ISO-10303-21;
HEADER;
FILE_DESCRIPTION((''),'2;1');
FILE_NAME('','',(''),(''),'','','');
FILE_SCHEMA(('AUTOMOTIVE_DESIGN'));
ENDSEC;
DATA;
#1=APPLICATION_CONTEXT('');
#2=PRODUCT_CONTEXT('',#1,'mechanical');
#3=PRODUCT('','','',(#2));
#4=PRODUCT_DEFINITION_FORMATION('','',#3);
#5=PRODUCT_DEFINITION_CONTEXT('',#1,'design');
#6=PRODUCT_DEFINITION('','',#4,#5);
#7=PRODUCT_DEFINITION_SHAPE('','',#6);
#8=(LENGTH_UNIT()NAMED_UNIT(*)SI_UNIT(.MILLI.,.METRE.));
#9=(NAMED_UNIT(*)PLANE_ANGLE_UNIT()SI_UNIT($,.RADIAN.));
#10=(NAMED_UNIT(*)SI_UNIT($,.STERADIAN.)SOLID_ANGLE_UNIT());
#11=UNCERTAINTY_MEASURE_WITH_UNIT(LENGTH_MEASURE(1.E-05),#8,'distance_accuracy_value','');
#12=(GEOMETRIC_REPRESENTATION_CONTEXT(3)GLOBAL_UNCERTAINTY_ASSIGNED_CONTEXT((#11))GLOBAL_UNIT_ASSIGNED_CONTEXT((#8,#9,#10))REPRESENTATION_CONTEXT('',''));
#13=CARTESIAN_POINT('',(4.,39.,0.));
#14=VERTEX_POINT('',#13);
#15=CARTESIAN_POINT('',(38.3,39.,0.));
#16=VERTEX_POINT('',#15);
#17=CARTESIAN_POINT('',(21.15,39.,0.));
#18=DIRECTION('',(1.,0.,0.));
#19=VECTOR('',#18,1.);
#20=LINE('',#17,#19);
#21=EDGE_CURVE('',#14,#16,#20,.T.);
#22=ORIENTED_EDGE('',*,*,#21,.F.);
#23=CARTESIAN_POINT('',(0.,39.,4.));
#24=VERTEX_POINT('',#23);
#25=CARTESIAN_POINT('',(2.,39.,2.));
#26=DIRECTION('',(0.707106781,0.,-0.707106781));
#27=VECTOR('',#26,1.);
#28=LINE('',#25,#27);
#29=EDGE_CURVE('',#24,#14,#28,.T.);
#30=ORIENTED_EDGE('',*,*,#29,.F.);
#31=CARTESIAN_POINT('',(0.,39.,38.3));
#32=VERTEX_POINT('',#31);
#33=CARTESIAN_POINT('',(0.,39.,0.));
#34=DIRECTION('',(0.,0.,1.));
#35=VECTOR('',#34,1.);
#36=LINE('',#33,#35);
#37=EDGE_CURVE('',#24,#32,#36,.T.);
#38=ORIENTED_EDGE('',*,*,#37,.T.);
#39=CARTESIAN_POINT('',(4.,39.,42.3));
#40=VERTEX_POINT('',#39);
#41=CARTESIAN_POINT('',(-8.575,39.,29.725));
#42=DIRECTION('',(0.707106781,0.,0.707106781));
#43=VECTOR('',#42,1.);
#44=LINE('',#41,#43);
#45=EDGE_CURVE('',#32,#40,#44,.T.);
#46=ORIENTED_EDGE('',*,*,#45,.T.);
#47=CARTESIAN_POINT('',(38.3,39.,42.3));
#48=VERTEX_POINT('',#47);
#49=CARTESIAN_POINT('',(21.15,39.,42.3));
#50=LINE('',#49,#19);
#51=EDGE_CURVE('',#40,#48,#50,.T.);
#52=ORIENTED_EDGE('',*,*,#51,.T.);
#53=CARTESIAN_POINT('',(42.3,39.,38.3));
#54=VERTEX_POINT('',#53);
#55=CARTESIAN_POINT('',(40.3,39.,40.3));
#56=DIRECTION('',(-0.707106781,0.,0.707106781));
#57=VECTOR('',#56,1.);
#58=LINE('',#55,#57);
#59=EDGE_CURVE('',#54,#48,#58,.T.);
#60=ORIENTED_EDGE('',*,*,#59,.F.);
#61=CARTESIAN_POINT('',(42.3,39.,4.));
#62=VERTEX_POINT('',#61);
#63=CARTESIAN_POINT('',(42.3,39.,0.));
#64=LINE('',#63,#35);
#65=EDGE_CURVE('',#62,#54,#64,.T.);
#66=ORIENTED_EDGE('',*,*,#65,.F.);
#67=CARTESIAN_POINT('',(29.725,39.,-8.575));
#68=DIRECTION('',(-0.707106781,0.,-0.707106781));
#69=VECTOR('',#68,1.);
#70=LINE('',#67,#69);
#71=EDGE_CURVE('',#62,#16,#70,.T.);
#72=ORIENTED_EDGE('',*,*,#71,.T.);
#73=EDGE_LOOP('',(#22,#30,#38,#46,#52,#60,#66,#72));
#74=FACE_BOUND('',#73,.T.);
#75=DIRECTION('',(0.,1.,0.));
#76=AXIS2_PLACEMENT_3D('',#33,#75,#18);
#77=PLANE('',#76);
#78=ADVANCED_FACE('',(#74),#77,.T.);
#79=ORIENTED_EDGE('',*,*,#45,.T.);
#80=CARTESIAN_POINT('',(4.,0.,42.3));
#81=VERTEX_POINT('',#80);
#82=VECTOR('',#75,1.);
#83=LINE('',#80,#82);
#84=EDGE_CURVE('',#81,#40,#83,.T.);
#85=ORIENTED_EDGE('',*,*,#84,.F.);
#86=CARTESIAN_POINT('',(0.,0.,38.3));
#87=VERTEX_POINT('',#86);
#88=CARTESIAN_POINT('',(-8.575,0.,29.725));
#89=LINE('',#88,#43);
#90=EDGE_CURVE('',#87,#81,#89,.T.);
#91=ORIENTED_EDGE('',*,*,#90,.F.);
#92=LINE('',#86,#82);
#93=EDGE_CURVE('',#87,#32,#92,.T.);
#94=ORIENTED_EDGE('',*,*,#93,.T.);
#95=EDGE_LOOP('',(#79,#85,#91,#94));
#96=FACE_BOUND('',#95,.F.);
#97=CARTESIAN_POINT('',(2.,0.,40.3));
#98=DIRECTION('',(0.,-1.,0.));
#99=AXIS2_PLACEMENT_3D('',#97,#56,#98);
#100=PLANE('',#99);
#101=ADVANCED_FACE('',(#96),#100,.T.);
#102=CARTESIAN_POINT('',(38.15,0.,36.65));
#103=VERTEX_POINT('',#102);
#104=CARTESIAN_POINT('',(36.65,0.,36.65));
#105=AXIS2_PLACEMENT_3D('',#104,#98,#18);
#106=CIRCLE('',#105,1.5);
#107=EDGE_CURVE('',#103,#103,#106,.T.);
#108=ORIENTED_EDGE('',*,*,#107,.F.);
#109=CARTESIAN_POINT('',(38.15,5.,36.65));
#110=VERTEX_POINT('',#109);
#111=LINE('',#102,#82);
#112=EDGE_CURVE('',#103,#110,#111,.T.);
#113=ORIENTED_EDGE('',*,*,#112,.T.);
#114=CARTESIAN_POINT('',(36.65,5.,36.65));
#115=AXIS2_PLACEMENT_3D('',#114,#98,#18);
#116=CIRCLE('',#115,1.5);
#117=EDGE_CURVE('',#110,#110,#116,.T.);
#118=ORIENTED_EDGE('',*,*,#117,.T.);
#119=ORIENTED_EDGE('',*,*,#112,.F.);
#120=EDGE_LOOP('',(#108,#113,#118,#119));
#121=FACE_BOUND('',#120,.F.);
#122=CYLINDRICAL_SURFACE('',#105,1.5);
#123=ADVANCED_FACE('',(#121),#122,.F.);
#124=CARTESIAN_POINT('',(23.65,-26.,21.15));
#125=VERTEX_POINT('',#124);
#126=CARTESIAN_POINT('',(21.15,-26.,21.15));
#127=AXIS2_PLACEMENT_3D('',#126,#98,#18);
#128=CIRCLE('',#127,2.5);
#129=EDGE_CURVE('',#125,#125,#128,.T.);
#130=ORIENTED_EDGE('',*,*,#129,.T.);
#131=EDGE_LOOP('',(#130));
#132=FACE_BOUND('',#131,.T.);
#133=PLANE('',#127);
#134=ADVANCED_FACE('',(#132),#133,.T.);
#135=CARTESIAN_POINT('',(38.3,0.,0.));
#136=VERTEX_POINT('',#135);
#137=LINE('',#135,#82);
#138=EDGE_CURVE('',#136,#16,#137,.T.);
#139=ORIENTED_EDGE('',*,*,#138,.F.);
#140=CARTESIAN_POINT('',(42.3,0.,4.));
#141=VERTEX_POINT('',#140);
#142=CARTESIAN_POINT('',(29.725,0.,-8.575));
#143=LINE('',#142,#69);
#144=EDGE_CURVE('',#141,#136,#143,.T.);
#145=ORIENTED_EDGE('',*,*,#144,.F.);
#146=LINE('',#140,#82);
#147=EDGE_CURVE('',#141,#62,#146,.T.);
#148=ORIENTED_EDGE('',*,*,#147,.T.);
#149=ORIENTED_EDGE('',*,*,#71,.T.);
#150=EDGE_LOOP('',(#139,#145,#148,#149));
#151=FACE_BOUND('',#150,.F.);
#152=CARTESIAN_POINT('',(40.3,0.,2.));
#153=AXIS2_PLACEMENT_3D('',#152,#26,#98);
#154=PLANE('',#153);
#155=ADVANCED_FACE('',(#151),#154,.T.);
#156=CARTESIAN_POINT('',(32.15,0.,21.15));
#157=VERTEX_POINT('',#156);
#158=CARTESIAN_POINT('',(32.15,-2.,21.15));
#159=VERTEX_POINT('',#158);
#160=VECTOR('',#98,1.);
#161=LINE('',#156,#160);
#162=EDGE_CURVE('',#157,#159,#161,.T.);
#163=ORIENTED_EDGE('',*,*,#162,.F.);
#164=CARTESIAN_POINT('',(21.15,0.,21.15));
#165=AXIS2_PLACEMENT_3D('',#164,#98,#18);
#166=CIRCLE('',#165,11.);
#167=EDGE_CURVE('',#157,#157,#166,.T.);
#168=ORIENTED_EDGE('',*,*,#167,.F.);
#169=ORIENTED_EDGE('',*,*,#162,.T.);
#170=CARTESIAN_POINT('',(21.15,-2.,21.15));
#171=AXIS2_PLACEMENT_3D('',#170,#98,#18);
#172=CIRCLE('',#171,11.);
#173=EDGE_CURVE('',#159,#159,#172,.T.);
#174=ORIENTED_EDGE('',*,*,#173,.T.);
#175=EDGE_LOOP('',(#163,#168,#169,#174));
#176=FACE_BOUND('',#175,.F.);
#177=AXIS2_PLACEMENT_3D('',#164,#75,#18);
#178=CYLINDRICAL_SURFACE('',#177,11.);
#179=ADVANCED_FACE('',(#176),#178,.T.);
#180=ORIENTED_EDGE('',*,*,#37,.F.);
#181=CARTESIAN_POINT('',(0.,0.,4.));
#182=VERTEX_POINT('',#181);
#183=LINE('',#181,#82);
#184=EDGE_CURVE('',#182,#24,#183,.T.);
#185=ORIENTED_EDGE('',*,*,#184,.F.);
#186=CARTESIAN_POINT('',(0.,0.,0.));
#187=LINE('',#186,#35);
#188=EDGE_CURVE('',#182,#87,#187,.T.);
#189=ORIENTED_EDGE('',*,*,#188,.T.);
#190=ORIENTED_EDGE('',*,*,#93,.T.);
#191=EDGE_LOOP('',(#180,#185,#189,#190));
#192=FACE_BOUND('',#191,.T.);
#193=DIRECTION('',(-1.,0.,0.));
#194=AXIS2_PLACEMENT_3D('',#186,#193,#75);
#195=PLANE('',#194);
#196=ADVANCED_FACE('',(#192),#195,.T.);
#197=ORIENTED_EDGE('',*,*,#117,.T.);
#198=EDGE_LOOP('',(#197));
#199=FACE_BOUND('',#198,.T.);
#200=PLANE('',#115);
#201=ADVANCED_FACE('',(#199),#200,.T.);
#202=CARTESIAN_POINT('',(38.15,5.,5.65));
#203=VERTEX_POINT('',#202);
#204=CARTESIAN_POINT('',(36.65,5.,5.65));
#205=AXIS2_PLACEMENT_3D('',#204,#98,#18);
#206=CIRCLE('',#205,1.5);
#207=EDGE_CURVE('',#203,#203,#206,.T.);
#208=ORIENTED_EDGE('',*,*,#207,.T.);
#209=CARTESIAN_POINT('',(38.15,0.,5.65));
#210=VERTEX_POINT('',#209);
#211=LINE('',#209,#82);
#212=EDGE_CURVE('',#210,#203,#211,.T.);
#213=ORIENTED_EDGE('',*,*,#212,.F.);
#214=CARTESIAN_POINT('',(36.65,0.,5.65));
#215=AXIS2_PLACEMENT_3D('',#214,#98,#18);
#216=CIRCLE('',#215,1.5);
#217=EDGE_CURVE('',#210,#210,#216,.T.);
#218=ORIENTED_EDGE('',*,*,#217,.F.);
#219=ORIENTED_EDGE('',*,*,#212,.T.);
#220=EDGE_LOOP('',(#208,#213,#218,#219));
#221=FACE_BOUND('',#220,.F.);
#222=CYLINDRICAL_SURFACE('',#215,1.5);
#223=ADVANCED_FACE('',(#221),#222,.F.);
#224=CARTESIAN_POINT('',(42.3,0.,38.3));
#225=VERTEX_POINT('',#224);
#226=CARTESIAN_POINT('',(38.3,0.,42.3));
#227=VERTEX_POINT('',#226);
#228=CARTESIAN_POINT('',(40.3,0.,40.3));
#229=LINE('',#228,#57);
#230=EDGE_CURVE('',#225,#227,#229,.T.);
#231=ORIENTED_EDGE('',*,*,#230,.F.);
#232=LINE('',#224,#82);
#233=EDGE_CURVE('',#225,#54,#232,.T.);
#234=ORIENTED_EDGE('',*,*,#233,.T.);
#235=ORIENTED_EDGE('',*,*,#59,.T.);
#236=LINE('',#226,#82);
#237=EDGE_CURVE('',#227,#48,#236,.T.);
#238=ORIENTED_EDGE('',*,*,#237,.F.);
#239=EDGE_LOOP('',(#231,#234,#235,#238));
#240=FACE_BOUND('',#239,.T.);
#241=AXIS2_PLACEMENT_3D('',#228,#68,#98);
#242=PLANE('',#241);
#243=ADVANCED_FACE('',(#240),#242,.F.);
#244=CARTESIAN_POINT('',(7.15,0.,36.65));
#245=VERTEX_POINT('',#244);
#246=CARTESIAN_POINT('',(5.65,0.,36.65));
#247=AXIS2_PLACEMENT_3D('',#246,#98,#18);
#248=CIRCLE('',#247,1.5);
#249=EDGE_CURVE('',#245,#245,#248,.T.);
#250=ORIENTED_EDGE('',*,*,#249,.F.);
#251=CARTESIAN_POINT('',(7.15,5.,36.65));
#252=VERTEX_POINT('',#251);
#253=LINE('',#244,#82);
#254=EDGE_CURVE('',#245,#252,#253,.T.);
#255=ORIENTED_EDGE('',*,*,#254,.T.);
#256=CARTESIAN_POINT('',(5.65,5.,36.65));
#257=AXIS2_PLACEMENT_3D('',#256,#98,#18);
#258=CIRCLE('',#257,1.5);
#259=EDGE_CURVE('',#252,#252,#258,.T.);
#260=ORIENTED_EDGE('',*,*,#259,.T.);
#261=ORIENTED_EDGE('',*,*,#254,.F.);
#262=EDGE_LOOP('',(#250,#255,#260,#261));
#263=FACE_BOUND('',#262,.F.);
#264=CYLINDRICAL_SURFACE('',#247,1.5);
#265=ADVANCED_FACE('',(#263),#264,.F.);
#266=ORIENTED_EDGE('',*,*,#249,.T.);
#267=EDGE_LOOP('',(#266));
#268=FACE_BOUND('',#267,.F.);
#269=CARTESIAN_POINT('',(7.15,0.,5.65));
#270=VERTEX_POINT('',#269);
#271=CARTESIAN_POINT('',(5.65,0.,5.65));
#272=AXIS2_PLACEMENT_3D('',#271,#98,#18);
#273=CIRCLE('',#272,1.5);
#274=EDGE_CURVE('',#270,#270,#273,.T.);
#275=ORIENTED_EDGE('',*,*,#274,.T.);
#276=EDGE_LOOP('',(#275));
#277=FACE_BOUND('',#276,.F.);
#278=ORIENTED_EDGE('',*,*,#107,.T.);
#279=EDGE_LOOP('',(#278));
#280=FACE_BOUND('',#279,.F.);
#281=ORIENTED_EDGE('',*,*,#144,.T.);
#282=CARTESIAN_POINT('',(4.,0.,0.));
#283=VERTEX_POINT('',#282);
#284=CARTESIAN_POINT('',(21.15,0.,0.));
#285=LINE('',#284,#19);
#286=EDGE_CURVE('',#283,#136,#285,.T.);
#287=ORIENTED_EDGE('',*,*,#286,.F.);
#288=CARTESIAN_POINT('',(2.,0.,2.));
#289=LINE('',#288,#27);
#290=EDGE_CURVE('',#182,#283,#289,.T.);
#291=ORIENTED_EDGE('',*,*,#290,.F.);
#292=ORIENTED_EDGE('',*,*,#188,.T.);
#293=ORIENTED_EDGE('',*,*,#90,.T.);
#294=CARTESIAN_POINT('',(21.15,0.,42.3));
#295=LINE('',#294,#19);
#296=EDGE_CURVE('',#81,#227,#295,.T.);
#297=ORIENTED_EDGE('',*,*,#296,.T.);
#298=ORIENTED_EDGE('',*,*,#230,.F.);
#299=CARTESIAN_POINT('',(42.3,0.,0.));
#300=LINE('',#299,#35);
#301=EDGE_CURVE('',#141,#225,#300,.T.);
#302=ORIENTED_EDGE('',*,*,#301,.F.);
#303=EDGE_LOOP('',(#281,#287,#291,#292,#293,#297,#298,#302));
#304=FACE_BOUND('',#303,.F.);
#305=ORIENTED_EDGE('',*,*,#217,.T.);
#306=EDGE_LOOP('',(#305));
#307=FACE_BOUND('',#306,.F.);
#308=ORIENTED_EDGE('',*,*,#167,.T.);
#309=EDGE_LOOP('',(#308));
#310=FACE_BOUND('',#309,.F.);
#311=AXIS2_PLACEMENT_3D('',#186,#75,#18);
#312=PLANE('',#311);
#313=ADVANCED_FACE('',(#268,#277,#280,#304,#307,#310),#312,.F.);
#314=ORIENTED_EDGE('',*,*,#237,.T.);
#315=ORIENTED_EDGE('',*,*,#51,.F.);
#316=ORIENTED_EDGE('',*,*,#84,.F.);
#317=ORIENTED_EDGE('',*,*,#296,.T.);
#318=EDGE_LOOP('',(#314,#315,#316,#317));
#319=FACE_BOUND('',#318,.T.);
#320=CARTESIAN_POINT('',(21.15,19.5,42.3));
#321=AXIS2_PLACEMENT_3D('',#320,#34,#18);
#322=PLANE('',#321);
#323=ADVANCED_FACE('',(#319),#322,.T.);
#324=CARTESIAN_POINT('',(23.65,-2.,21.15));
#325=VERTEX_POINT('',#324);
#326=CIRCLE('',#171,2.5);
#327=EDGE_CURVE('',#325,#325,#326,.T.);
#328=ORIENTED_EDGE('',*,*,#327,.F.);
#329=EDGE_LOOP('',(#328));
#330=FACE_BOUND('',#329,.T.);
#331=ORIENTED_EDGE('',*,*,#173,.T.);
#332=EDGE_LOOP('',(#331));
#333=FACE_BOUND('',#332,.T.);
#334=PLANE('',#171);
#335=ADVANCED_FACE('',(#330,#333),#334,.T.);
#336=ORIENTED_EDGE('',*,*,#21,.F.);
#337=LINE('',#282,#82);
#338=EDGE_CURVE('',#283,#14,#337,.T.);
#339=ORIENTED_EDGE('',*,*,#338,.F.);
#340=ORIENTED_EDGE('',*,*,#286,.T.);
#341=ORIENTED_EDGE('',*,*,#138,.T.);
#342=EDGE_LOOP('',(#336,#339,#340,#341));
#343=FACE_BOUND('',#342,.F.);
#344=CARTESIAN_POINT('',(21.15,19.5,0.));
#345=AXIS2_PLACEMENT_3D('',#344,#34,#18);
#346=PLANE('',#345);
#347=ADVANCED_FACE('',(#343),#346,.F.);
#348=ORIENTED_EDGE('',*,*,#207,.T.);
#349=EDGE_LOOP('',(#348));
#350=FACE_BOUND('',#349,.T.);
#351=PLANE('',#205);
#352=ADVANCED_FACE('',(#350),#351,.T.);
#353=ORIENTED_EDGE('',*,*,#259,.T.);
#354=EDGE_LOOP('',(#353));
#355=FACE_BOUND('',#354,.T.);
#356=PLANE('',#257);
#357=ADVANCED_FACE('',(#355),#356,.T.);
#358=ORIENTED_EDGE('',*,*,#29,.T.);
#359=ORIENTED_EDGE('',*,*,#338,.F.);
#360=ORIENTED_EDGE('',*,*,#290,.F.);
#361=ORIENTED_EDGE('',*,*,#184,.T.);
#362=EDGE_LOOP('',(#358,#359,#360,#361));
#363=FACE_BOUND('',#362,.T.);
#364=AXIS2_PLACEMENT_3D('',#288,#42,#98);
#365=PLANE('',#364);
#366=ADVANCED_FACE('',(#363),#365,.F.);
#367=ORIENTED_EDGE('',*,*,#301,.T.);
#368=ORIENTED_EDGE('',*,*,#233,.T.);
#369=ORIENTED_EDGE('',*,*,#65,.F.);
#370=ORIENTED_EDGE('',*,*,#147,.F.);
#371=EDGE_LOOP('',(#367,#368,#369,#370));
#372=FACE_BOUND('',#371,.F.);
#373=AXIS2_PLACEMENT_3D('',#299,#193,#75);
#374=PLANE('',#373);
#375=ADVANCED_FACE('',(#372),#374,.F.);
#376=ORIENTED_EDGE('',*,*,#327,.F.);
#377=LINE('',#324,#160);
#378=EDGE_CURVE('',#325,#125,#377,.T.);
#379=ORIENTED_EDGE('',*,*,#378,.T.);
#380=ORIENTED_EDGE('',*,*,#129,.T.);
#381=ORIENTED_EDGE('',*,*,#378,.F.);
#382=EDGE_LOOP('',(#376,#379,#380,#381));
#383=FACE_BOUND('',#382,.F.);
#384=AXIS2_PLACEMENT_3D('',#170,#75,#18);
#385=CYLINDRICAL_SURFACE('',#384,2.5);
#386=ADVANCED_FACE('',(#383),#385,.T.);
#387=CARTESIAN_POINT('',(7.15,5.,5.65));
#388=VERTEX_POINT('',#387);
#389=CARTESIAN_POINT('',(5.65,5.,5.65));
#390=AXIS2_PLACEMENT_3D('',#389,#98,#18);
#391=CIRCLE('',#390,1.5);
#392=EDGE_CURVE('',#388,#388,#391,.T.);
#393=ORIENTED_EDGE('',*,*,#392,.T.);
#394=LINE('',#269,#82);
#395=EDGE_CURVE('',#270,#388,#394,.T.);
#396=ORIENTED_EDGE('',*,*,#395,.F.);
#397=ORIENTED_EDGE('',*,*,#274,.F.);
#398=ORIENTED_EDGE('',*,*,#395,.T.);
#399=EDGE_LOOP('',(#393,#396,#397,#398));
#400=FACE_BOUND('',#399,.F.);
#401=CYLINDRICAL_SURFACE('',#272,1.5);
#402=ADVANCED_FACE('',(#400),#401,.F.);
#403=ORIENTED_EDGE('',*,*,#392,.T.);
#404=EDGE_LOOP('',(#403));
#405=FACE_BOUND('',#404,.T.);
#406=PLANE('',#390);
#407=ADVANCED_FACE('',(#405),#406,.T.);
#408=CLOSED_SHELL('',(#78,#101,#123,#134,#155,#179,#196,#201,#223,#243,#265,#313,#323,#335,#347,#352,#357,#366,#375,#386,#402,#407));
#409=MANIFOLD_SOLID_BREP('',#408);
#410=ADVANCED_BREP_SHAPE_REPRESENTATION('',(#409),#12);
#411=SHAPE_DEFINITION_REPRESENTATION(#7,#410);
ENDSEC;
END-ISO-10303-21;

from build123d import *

# Parameters (mm, degrees)
BOX_W        = 42.3
BOX_H        = 39
BOX_DEPTH    = 42.3
CHAMFER_SIZE = 4
SKETCH002_R  = 1.5
POCKET_DEPTH = 5
SKETCH001_R  = 11
PAD001_DEPTH = 2
SKETCH_R     = 2.5
PAD_DEPTH    = 24


with BuildPart() as part:
    # Box → Box (new body)
    with BuildSketch(Plane.XY):
        with Locations((21.15, 19.5)):
            Rectangle(BOX_W, BOX_H)
    extrude(amount=BOX_DEPTH)

    # Chamfer
    chamfer_edges = [part.edges().sort_by_distance(p)[0] for p in [
        (42.3, 19.5, 0),
        (42.3, 19.5, 42.3),
        (0, 19.5, 42.3),
        (0, 19.5, 0),
    ]]
    chamfer(chamfer_edges, length=CHAMFER_SIZE)

    # Sketch002 → Pocket (cut)
    with BuildSketch(Plane.XZ):
        with Locations((5.65, 36.65)):
            Circle(SKETCH002_R)
        with Locations((36.65, 36.65)):
            Circle(SKETCH002_R)
        with Locations((5.65, 5.65)):
            Circle(SKETCH002_R)
        with Locations((36.65, 5.65)):
            Circle(SKETCH002_R)
    extrude(amount=-POCKET_DEPTH, mode=Mode.SUBTRACT)

    # Sketch001 → Pad001 (new body)
    with BuildSketch(Plane.XZ):
        with Locations((21.15, 21.15)):
            Circle(SKETCH001_R)
    extrude(amount=PAD001_DEPTH)

    # Sketch → Pad (new body)
    with BuildSketch(Plane.XZ.offset(2)):
        with Locations((21.15, 21.15)):
            Circle(SKETCH_R)
    extrude(amount=PAD_DEPTH)


solid = part.part
